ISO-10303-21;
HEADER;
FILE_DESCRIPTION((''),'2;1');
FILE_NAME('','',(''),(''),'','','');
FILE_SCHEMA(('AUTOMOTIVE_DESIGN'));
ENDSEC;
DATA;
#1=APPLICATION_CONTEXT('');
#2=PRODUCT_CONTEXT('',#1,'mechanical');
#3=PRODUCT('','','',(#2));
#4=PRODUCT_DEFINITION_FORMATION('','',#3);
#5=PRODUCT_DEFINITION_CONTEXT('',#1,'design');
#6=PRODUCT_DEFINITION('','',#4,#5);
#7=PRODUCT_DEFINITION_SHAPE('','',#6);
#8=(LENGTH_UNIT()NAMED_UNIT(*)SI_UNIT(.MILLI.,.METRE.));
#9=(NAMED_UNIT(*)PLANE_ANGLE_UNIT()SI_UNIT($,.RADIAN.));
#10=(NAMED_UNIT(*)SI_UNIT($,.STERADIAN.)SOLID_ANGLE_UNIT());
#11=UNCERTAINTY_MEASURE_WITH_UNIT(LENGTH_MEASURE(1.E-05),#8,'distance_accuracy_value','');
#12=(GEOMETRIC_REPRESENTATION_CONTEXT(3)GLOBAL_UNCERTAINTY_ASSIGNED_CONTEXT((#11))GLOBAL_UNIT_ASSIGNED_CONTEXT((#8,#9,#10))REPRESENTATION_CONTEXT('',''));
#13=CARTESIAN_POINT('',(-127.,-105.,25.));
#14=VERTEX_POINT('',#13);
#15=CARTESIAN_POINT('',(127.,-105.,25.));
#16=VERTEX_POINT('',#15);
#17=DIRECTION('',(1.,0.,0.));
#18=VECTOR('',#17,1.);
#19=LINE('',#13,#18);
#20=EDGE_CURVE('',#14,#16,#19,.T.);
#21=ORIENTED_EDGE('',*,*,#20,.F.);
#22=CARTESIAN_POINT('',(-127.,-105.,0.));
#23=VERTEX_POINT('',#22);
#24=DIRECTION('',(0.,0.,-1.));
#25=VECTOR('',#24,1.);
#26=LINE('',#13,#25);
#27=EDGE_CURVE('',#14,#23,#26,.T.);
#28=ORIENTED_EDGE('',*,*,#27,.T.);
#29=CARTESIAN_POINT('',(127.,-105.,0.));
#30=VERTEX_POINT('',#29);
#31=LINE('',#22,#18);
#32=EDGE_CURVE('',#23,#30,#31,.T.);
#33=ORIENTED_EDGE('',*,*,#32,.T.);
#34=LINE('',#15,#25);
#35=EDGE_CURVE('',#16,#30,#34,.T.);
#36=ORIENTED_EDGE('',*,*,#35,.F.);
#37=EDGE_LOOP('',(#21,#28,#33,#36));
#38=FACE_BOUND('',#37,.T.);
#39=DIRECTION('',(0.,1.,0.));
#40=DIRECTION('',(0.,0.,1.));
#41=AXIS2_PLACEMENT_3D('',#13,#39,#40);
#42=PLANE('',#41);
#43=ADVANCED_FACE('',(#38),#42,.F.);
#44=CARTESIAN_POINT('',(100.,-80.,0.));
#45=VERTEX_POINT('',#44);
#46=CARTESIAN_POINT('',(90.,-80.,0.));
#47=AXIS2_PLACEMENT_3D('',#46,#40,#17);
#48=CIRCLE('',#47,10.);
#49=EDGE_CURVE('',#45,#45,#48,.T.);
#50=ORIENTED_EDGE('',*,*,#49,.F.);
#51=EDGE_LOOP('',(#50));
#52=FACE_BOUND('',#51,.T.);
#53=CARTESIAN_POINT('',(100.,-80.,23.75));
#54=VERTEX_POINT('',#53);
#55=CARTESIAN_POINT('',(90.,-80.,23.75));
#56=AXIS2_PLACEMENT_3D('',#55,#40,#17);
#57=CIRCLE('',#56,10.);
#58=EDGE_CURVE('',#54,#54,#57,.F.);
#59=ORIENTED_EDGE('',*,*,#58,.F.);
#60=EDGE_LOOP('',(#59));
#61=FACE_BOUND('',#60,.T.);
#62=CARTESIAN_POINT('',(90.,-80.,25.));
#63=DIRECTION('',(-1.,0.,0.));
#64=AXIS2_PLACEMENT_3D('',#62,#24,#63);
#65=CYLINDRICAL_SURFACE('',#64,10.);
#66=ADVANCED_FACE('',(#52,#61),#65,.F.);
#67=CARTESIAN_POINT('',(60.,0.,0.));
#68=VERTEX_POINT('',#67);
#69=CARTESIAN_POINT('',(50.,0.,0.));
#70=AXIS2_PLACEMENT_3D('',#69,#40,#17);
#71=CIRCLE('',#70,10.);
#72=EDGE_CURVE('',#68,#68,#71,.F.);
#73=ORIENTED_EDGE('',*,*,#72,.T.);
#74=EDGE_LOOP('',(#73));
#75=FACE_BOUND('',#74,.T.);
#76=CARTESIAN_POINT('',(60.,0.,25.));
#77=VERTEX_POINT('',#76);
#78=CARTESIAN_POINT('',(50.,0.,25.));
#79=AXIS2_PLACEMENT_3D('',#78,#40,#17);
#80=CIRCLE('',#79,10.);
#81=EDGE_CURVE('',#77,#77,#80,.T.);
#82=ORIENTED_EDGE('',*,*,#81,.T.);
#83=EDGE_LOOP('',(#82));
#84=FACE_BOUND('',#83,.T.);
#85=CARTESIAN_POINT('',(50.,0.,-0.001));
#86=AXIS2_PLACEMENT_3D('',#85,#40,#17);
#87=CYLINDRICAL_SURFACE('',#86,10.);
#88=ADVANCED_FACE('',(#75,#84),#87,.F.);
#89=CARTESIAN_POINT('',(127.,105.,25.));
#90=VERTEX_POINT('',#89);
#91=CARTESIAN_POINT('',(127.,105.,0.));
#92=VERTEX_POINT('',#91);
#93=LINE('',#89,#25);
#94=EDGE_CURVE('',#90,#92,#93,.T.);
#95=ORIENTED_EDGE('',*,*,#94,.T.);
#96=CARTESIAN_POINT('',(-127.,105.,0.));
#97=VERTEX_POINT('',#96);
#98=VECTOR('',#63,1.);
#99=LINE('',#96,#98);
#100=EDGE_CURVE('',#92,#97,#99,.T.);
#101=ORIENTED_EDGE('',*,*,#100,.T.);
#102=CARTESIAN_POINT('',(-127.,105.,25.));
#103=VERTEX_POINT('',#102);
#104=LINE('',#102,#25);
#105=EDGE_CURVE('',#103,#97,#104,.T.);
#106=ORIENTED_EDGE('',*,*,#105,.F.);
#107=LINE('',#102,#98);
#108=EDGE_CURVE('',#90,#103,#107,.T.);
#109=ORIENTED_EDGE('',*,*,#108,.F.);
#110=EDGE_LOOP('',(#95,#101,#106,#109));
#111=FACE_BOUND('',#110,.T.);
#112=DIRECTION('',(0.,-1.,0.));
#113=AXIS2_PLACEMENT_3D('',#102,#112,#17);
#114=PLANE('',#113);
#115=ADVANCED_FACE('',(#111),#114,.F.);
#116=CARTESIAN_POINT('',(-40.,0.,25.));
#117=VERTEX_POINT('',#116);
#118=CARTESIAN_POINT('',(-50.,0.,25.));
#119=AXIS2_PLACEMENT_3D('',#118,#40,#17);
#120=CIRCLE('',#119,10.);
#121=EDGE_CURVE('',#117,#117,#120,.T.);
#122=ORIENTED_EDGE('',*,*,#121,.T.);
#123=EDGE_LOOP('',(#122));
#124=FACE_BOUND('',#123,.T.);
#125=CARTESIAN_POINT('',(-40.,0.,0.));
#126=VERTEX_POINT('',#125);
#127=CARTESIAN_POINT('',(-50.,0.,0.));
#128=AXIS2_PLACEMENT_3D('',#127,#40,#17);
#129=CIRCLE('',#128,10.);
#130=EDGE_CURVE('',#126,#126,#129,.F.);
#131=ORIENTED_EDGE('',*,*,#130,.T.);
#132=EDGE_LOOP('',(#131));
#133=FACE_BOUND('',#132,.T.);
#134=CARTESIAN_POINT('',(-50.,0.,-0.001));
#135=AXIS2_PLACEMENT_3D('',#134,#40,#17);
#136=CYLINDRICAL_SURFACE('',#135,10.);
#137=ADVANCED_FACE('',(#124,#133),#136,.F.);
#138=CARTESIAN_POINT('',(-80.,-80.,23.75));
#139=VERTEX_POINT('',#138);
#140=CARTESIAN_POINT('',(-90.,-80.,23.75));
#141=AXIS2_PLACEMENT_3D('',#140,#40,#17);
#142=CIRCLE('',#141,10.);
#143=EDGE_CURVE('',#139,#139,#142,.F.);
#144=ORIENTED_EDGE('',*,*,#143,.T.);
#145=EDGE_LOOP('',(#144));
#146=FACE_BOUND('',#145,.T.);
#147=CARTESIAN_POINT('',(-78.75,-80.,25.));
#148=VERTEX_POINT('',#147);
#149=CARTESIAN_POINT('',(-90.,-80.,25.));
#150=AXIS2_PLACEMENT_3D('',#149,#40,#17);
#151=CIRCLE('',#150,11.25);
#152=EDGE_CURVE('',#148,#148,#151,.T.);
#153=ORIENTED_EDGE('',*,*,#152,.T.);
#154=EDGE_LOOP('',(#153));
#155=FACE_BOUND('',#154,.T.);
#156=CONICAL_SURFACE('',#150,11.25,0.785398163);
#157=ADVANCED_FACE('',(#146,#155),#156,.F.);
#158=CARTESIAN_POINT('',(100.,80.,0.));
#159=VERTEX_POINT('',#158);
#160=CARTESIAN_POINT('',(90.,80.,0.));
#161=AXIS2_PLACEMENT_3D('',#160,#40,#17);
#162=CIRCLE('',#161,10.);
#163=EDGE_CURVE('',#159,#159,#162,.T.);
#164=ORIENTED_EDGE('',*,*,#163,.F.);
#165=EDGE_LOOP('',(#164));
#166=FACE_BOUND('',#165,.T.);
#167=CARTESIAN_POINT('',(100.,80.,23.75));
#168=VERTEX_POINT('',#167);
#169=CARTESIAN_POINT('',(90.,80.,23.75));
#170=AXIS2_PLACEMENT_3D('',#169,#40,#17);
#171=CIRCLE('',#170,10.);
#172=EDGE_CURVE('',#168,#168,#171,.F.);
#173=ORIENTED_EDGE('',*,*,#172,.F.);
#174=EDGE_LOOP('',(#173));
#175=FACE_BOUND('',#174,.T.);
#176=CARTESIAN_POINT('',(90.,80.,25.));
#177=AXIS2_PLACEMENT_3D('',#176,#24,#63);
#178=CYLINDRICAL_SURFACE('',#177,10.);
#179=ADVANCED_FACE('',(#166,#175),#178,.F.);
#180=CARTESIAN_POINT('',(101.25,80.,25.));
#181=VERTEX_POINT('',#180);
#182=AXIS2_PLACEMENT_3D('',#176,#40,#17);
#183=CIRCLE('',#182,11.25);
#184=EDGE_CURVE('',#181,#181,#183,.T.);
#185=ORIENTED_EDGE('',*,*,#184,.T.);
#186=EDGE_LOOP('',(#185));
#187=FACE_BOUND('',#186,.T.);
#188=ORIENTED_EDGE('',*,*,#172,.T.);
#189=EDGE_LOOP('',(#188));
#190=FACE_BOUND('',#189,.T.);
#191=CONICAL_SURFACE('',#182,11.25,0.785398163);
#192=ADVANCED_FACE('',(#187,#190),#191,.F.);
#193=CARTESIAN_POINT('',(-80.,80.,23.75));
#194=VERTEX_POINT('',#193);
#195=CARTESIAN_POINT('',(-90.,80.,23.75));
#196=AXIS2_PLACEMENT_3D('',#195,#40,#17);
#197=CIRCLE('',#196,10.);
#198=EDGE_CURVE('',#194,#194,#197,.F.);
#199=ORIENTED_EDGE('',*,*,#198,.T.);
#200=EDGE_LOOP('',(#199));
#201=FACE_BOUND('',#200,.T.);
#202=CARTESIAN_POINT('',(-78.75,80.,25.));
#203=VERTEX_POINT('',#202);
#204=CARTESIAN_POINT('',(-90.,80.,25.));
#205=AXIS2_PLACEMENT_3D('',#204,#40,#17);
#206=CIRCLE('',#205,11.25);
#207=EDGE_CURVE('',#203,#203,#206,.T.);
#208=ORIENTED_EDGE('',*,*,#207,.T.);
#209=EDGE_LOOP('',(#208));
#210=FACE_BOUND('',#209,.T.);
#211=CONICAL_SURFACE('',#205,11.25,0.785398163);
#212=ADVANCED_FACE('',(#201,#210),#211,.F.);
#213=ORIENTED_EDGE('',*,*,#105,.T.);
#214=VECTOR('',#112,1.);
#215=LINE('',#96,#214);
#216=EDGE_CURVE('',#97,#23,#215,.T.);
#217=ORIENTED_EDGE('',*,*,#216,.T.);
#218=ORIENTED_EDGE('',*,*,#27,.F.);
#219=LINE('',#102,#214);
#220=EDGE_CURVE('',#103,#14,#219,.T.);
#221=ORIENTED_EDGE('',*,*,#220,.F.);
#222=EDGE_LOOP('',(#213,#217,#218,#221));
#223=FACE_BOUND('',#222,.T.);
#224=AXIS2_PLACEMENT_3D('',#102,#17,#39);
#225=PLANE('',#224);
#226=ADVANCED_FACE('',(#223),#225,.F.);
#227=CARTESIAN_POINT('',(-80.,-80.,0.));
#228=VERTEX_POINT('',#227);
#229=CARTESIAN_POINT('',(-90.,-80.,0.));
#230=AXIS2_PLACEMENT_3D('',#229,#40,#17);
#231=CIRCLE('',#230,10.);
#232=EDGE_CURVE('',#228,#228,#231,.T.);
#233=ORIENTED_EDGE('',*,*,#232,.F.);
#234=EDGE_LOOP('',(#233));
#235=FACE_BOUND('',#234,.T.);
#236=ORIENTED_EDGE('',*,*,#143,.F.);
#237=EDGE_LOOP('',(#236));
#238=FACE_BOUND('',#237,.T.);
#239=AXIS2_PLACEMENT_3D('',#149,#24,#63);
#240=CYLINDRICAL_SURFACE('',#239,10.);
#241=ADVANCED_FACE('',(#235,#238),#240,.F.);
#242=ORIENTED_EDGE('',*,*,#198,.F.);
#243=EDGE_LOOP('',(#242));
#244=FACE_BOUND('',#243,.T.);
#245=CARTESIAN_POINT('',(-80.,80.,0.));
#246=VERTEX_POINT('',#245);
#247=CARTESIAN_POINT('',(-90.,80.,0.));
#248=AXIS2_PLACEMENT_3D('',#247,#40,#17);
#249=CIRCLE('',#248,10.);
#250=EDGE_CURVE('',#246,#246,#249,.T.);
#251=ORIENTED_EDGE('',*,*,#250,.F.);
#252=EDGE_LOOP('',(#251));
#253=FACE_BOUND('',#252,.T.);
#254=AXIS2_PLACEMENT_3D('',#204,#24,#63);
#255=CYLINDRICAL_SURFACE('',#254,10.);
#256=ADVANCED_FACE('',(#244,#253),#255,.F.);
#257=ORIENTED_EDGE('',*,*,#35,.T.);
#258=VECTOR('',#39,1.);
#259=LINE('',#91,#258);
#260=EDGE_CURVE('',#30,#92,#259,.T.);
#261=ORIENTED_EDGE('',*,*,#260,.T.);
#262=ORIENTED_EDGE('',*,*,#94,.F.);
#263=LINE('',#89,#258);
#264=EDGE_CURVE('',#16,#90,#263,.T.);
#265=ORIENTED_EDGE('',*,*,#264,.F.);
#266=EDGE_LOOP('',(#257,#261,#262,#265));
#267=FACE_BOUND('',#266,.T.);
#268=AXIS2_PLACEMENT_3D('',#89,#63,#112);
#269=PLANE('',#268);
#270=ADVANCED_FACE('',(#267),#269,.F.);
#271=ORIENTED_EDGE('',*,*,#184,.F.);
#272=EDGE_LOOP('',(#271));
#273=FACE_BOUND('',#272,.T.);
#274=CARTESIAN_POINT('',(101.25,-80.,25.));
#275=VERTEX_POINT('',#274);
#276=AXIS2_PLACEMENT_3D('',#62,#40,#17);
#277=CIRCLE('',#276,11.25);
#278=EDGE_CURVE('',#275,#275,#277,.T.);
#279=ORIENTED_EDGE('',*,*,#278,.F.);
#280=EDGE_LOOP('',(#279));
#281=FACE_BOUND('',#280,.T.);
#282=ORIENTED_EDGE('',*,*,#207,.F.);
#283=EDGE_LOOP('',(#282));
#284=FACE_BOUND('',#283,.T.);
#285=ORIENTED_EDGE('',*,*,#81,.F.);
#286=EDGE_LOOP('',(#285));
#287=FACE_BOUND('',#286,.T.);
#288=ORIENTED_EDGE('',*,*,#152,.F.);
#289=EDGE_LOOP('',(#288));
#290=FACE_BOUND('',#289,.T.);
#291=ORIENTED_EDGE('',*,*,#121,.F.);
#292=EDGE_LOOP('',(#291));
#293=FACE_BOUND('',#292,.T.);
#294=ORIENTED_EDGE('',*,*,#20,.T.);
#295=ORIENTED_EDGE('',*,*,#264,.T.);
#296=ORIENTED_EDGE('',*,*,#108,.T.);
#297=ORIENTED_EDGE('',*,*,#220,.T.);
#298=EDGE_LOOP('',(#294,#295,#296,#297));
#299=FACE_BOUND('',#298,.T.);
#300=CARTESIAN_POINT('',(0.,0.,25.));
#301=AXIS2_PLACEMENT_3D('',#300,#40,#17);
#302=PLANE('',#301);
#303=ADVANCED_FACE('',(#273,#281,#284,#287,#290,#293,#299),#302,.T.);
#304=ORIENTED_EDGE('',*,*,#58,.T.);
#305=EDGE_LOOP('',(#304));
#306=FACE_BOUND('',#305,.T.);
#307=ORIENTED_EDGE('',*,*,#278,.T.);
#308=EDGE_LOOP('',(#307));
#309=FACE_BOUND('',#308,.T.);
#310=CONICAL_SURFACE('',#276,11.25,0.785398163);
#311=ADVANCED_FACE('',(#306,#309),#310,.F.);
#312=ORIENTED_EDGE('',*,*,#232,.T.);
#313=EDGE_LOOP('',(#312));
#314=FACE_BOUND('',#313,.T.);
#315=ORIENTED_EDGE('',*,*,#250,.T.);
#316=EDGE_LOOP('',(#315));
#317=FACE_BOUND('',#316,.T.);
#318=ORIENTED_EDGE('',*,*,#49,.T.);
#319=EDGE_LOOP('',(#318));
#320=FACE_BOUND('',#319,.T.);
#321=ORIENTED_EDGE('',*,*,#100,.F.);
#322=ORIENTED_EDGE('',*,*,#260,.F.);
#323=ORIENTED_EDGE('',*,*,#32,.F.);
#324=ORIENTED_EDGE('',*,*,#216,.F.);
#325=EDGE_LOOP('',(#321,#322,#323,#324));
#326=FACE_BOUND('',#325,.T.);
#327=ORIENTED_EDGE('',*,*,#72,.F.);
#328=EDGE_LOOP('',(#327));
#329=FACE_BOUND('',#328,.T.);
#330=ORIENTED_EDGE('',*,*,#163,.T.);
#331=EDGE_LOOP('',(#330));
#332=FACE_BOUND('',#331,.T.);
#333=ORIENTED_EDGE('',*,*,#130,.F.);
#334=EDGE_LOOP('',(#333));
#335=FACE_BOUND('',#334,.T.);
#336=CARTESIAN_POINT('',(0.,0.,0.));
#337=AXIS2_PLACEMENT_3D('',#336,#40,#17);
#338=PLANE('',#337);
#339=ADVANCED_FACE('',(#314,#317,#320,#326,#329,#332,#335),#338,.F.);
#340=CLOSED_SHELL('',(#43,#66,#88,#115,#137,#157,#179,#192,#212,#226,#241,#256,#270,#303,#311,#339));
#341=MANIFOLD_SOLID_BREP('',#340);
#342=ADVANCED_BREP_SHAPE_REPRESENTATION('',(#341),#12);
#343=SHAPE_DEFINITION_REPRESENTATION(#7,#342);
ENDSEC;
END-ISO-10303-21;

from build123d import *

# Parameters (mm, degrees)
SKETCH1_W           = 254
SKETCH1_H           = 210
SKETCH1_R           = 10
BOSS_EXTRUDE1_DEPTH = 25
CUT_EXTRUDE1_REACH  = 168.67
SKETCH2_R           = 10


with BuildPart() as part:
    # Sketch1 → Boss-Extrude1 (new body)
    with BuildSketch(Plane.XY):
        Rectangle(SKETCH1_W, SKETCH1_H)
        with Locations((-90, 80)):
            Circle(SKETCH1_R, mode=Mode.SUBTRACT)
        with Locations((90, 80)):
            Circle(SKETCH1_R, mode=Mode.SUBTRACT)
        with Locations((90, -80)):
            Circle(SKETCH1_R, mode=Mode.SUBTRACT)
        with Locations((-90, -80)):
            Circle(SKETCH1_R, mode=Mode.SUBTRACT)
    extrude(amount=BOSS_EXTRUDE1_DEPTH)

    # Sketch2 → Cut-Extrude1 (cut, up to next)
    with BuildSketch(Plane.XY.offset(25), mode=Mode.PRIVATE) as cut_extrude1_sk1:
        with Locations((-50, 0)):
            Circle(SKETCH2_R)
    cut_extrude1_tool1 = extrude(cut_extrude1_sk1.sketch, amount=-CUT_EXTRUDE1_REACH, mode=Mode.PRIVATE) & part.part
    # Sketch2 → Cut-Extrude1 (cut, up to next)
    with BuildSketch(Plane.XY.offset(25), mode=Mode.PRIVATE) as cut_extrude1_sk2:
        with Locations((50, 0)):
            Circle(SKETCH2_R)
    cut_extrude1_tool2 = extrude(cut_extrude1_sk2.sketch, amount=-CUT_EXTRUDE1_REACH, mode=Mode.PRIVATE) & part.part
    add(cut_extrude1_tool1.solids().sort_by_distance((-50, 0, 25))[0], mode=Mode.SUBTRACT)
    add(cut_extrude1_tool2.solids().sort_by_distance((50, 0, 25))[0], mode=Mode.SUBTRACT)

    # Cut-Extrude2 cone 1 section (through the dimple's axis) → Cut-Extrude2 (revolve, cut)
    with BuildSketch(Plane(origin=(-90, 80, 25), x_dir=(0, -1, 0), z_dir=(1, 0, 0))):
        Polygon((0, 0), (11.25, 0), (0, 11.25), align=None)
    revolve(axis=Axis((-90, 80, 25), (0, 0, -1)), mode=Mode.SUBTRACT)

    # Cut-Extrude2 cone 2 section (through the dimple's axis) → Cut-Extrude2 cone 2 (revolve, cut)
    with BuildSketch(Plane(origin=(90, 80, 25), x_dir=(0, -1, 0), z_dir=(1, 0, 0))):
        Polygon((0, 0), (11.25, 0), (0, 11.25), align=None)
    revolve(axis=Axis((90, 80, 25), (0, 0, -1)), mode=Mode.SUBTRACT)

    # Cut-Extrude2 cone 3 section (through the dimple's axis) → Cut-Extrude2 cone 3 (revolve, cut)
    with BuildSketch(Plane(origin=(90, -80, 25), x_dir=(0, -1, 0), z_dir=(1, 0, 0))):
        Polygon((0, 0), (11.25, 0), (0, 11.25), align=None)
    revolve(axis=Axis((90, -80, 25), (0, 0, -1)), mode=Mode.SUBTRACT)

    # Cut-Extrude2 cone 4 section (through the dimple's axis) → Cut-Extrude2 cone 4 (revolve, cut)
    with BuildSketch(Plane(origin=(-90, -80, 25), x_dir=(0, -1, 0), z_dir=(1, 0, 0))):
        Polygon((0, 0), (11.25, 0), (0, 11.25), align=None)
    revolve(axis=Axis((-90, -80, 25), (0, 0, -1)), mode=Mode.SUBTRACT)


solid = part.part
